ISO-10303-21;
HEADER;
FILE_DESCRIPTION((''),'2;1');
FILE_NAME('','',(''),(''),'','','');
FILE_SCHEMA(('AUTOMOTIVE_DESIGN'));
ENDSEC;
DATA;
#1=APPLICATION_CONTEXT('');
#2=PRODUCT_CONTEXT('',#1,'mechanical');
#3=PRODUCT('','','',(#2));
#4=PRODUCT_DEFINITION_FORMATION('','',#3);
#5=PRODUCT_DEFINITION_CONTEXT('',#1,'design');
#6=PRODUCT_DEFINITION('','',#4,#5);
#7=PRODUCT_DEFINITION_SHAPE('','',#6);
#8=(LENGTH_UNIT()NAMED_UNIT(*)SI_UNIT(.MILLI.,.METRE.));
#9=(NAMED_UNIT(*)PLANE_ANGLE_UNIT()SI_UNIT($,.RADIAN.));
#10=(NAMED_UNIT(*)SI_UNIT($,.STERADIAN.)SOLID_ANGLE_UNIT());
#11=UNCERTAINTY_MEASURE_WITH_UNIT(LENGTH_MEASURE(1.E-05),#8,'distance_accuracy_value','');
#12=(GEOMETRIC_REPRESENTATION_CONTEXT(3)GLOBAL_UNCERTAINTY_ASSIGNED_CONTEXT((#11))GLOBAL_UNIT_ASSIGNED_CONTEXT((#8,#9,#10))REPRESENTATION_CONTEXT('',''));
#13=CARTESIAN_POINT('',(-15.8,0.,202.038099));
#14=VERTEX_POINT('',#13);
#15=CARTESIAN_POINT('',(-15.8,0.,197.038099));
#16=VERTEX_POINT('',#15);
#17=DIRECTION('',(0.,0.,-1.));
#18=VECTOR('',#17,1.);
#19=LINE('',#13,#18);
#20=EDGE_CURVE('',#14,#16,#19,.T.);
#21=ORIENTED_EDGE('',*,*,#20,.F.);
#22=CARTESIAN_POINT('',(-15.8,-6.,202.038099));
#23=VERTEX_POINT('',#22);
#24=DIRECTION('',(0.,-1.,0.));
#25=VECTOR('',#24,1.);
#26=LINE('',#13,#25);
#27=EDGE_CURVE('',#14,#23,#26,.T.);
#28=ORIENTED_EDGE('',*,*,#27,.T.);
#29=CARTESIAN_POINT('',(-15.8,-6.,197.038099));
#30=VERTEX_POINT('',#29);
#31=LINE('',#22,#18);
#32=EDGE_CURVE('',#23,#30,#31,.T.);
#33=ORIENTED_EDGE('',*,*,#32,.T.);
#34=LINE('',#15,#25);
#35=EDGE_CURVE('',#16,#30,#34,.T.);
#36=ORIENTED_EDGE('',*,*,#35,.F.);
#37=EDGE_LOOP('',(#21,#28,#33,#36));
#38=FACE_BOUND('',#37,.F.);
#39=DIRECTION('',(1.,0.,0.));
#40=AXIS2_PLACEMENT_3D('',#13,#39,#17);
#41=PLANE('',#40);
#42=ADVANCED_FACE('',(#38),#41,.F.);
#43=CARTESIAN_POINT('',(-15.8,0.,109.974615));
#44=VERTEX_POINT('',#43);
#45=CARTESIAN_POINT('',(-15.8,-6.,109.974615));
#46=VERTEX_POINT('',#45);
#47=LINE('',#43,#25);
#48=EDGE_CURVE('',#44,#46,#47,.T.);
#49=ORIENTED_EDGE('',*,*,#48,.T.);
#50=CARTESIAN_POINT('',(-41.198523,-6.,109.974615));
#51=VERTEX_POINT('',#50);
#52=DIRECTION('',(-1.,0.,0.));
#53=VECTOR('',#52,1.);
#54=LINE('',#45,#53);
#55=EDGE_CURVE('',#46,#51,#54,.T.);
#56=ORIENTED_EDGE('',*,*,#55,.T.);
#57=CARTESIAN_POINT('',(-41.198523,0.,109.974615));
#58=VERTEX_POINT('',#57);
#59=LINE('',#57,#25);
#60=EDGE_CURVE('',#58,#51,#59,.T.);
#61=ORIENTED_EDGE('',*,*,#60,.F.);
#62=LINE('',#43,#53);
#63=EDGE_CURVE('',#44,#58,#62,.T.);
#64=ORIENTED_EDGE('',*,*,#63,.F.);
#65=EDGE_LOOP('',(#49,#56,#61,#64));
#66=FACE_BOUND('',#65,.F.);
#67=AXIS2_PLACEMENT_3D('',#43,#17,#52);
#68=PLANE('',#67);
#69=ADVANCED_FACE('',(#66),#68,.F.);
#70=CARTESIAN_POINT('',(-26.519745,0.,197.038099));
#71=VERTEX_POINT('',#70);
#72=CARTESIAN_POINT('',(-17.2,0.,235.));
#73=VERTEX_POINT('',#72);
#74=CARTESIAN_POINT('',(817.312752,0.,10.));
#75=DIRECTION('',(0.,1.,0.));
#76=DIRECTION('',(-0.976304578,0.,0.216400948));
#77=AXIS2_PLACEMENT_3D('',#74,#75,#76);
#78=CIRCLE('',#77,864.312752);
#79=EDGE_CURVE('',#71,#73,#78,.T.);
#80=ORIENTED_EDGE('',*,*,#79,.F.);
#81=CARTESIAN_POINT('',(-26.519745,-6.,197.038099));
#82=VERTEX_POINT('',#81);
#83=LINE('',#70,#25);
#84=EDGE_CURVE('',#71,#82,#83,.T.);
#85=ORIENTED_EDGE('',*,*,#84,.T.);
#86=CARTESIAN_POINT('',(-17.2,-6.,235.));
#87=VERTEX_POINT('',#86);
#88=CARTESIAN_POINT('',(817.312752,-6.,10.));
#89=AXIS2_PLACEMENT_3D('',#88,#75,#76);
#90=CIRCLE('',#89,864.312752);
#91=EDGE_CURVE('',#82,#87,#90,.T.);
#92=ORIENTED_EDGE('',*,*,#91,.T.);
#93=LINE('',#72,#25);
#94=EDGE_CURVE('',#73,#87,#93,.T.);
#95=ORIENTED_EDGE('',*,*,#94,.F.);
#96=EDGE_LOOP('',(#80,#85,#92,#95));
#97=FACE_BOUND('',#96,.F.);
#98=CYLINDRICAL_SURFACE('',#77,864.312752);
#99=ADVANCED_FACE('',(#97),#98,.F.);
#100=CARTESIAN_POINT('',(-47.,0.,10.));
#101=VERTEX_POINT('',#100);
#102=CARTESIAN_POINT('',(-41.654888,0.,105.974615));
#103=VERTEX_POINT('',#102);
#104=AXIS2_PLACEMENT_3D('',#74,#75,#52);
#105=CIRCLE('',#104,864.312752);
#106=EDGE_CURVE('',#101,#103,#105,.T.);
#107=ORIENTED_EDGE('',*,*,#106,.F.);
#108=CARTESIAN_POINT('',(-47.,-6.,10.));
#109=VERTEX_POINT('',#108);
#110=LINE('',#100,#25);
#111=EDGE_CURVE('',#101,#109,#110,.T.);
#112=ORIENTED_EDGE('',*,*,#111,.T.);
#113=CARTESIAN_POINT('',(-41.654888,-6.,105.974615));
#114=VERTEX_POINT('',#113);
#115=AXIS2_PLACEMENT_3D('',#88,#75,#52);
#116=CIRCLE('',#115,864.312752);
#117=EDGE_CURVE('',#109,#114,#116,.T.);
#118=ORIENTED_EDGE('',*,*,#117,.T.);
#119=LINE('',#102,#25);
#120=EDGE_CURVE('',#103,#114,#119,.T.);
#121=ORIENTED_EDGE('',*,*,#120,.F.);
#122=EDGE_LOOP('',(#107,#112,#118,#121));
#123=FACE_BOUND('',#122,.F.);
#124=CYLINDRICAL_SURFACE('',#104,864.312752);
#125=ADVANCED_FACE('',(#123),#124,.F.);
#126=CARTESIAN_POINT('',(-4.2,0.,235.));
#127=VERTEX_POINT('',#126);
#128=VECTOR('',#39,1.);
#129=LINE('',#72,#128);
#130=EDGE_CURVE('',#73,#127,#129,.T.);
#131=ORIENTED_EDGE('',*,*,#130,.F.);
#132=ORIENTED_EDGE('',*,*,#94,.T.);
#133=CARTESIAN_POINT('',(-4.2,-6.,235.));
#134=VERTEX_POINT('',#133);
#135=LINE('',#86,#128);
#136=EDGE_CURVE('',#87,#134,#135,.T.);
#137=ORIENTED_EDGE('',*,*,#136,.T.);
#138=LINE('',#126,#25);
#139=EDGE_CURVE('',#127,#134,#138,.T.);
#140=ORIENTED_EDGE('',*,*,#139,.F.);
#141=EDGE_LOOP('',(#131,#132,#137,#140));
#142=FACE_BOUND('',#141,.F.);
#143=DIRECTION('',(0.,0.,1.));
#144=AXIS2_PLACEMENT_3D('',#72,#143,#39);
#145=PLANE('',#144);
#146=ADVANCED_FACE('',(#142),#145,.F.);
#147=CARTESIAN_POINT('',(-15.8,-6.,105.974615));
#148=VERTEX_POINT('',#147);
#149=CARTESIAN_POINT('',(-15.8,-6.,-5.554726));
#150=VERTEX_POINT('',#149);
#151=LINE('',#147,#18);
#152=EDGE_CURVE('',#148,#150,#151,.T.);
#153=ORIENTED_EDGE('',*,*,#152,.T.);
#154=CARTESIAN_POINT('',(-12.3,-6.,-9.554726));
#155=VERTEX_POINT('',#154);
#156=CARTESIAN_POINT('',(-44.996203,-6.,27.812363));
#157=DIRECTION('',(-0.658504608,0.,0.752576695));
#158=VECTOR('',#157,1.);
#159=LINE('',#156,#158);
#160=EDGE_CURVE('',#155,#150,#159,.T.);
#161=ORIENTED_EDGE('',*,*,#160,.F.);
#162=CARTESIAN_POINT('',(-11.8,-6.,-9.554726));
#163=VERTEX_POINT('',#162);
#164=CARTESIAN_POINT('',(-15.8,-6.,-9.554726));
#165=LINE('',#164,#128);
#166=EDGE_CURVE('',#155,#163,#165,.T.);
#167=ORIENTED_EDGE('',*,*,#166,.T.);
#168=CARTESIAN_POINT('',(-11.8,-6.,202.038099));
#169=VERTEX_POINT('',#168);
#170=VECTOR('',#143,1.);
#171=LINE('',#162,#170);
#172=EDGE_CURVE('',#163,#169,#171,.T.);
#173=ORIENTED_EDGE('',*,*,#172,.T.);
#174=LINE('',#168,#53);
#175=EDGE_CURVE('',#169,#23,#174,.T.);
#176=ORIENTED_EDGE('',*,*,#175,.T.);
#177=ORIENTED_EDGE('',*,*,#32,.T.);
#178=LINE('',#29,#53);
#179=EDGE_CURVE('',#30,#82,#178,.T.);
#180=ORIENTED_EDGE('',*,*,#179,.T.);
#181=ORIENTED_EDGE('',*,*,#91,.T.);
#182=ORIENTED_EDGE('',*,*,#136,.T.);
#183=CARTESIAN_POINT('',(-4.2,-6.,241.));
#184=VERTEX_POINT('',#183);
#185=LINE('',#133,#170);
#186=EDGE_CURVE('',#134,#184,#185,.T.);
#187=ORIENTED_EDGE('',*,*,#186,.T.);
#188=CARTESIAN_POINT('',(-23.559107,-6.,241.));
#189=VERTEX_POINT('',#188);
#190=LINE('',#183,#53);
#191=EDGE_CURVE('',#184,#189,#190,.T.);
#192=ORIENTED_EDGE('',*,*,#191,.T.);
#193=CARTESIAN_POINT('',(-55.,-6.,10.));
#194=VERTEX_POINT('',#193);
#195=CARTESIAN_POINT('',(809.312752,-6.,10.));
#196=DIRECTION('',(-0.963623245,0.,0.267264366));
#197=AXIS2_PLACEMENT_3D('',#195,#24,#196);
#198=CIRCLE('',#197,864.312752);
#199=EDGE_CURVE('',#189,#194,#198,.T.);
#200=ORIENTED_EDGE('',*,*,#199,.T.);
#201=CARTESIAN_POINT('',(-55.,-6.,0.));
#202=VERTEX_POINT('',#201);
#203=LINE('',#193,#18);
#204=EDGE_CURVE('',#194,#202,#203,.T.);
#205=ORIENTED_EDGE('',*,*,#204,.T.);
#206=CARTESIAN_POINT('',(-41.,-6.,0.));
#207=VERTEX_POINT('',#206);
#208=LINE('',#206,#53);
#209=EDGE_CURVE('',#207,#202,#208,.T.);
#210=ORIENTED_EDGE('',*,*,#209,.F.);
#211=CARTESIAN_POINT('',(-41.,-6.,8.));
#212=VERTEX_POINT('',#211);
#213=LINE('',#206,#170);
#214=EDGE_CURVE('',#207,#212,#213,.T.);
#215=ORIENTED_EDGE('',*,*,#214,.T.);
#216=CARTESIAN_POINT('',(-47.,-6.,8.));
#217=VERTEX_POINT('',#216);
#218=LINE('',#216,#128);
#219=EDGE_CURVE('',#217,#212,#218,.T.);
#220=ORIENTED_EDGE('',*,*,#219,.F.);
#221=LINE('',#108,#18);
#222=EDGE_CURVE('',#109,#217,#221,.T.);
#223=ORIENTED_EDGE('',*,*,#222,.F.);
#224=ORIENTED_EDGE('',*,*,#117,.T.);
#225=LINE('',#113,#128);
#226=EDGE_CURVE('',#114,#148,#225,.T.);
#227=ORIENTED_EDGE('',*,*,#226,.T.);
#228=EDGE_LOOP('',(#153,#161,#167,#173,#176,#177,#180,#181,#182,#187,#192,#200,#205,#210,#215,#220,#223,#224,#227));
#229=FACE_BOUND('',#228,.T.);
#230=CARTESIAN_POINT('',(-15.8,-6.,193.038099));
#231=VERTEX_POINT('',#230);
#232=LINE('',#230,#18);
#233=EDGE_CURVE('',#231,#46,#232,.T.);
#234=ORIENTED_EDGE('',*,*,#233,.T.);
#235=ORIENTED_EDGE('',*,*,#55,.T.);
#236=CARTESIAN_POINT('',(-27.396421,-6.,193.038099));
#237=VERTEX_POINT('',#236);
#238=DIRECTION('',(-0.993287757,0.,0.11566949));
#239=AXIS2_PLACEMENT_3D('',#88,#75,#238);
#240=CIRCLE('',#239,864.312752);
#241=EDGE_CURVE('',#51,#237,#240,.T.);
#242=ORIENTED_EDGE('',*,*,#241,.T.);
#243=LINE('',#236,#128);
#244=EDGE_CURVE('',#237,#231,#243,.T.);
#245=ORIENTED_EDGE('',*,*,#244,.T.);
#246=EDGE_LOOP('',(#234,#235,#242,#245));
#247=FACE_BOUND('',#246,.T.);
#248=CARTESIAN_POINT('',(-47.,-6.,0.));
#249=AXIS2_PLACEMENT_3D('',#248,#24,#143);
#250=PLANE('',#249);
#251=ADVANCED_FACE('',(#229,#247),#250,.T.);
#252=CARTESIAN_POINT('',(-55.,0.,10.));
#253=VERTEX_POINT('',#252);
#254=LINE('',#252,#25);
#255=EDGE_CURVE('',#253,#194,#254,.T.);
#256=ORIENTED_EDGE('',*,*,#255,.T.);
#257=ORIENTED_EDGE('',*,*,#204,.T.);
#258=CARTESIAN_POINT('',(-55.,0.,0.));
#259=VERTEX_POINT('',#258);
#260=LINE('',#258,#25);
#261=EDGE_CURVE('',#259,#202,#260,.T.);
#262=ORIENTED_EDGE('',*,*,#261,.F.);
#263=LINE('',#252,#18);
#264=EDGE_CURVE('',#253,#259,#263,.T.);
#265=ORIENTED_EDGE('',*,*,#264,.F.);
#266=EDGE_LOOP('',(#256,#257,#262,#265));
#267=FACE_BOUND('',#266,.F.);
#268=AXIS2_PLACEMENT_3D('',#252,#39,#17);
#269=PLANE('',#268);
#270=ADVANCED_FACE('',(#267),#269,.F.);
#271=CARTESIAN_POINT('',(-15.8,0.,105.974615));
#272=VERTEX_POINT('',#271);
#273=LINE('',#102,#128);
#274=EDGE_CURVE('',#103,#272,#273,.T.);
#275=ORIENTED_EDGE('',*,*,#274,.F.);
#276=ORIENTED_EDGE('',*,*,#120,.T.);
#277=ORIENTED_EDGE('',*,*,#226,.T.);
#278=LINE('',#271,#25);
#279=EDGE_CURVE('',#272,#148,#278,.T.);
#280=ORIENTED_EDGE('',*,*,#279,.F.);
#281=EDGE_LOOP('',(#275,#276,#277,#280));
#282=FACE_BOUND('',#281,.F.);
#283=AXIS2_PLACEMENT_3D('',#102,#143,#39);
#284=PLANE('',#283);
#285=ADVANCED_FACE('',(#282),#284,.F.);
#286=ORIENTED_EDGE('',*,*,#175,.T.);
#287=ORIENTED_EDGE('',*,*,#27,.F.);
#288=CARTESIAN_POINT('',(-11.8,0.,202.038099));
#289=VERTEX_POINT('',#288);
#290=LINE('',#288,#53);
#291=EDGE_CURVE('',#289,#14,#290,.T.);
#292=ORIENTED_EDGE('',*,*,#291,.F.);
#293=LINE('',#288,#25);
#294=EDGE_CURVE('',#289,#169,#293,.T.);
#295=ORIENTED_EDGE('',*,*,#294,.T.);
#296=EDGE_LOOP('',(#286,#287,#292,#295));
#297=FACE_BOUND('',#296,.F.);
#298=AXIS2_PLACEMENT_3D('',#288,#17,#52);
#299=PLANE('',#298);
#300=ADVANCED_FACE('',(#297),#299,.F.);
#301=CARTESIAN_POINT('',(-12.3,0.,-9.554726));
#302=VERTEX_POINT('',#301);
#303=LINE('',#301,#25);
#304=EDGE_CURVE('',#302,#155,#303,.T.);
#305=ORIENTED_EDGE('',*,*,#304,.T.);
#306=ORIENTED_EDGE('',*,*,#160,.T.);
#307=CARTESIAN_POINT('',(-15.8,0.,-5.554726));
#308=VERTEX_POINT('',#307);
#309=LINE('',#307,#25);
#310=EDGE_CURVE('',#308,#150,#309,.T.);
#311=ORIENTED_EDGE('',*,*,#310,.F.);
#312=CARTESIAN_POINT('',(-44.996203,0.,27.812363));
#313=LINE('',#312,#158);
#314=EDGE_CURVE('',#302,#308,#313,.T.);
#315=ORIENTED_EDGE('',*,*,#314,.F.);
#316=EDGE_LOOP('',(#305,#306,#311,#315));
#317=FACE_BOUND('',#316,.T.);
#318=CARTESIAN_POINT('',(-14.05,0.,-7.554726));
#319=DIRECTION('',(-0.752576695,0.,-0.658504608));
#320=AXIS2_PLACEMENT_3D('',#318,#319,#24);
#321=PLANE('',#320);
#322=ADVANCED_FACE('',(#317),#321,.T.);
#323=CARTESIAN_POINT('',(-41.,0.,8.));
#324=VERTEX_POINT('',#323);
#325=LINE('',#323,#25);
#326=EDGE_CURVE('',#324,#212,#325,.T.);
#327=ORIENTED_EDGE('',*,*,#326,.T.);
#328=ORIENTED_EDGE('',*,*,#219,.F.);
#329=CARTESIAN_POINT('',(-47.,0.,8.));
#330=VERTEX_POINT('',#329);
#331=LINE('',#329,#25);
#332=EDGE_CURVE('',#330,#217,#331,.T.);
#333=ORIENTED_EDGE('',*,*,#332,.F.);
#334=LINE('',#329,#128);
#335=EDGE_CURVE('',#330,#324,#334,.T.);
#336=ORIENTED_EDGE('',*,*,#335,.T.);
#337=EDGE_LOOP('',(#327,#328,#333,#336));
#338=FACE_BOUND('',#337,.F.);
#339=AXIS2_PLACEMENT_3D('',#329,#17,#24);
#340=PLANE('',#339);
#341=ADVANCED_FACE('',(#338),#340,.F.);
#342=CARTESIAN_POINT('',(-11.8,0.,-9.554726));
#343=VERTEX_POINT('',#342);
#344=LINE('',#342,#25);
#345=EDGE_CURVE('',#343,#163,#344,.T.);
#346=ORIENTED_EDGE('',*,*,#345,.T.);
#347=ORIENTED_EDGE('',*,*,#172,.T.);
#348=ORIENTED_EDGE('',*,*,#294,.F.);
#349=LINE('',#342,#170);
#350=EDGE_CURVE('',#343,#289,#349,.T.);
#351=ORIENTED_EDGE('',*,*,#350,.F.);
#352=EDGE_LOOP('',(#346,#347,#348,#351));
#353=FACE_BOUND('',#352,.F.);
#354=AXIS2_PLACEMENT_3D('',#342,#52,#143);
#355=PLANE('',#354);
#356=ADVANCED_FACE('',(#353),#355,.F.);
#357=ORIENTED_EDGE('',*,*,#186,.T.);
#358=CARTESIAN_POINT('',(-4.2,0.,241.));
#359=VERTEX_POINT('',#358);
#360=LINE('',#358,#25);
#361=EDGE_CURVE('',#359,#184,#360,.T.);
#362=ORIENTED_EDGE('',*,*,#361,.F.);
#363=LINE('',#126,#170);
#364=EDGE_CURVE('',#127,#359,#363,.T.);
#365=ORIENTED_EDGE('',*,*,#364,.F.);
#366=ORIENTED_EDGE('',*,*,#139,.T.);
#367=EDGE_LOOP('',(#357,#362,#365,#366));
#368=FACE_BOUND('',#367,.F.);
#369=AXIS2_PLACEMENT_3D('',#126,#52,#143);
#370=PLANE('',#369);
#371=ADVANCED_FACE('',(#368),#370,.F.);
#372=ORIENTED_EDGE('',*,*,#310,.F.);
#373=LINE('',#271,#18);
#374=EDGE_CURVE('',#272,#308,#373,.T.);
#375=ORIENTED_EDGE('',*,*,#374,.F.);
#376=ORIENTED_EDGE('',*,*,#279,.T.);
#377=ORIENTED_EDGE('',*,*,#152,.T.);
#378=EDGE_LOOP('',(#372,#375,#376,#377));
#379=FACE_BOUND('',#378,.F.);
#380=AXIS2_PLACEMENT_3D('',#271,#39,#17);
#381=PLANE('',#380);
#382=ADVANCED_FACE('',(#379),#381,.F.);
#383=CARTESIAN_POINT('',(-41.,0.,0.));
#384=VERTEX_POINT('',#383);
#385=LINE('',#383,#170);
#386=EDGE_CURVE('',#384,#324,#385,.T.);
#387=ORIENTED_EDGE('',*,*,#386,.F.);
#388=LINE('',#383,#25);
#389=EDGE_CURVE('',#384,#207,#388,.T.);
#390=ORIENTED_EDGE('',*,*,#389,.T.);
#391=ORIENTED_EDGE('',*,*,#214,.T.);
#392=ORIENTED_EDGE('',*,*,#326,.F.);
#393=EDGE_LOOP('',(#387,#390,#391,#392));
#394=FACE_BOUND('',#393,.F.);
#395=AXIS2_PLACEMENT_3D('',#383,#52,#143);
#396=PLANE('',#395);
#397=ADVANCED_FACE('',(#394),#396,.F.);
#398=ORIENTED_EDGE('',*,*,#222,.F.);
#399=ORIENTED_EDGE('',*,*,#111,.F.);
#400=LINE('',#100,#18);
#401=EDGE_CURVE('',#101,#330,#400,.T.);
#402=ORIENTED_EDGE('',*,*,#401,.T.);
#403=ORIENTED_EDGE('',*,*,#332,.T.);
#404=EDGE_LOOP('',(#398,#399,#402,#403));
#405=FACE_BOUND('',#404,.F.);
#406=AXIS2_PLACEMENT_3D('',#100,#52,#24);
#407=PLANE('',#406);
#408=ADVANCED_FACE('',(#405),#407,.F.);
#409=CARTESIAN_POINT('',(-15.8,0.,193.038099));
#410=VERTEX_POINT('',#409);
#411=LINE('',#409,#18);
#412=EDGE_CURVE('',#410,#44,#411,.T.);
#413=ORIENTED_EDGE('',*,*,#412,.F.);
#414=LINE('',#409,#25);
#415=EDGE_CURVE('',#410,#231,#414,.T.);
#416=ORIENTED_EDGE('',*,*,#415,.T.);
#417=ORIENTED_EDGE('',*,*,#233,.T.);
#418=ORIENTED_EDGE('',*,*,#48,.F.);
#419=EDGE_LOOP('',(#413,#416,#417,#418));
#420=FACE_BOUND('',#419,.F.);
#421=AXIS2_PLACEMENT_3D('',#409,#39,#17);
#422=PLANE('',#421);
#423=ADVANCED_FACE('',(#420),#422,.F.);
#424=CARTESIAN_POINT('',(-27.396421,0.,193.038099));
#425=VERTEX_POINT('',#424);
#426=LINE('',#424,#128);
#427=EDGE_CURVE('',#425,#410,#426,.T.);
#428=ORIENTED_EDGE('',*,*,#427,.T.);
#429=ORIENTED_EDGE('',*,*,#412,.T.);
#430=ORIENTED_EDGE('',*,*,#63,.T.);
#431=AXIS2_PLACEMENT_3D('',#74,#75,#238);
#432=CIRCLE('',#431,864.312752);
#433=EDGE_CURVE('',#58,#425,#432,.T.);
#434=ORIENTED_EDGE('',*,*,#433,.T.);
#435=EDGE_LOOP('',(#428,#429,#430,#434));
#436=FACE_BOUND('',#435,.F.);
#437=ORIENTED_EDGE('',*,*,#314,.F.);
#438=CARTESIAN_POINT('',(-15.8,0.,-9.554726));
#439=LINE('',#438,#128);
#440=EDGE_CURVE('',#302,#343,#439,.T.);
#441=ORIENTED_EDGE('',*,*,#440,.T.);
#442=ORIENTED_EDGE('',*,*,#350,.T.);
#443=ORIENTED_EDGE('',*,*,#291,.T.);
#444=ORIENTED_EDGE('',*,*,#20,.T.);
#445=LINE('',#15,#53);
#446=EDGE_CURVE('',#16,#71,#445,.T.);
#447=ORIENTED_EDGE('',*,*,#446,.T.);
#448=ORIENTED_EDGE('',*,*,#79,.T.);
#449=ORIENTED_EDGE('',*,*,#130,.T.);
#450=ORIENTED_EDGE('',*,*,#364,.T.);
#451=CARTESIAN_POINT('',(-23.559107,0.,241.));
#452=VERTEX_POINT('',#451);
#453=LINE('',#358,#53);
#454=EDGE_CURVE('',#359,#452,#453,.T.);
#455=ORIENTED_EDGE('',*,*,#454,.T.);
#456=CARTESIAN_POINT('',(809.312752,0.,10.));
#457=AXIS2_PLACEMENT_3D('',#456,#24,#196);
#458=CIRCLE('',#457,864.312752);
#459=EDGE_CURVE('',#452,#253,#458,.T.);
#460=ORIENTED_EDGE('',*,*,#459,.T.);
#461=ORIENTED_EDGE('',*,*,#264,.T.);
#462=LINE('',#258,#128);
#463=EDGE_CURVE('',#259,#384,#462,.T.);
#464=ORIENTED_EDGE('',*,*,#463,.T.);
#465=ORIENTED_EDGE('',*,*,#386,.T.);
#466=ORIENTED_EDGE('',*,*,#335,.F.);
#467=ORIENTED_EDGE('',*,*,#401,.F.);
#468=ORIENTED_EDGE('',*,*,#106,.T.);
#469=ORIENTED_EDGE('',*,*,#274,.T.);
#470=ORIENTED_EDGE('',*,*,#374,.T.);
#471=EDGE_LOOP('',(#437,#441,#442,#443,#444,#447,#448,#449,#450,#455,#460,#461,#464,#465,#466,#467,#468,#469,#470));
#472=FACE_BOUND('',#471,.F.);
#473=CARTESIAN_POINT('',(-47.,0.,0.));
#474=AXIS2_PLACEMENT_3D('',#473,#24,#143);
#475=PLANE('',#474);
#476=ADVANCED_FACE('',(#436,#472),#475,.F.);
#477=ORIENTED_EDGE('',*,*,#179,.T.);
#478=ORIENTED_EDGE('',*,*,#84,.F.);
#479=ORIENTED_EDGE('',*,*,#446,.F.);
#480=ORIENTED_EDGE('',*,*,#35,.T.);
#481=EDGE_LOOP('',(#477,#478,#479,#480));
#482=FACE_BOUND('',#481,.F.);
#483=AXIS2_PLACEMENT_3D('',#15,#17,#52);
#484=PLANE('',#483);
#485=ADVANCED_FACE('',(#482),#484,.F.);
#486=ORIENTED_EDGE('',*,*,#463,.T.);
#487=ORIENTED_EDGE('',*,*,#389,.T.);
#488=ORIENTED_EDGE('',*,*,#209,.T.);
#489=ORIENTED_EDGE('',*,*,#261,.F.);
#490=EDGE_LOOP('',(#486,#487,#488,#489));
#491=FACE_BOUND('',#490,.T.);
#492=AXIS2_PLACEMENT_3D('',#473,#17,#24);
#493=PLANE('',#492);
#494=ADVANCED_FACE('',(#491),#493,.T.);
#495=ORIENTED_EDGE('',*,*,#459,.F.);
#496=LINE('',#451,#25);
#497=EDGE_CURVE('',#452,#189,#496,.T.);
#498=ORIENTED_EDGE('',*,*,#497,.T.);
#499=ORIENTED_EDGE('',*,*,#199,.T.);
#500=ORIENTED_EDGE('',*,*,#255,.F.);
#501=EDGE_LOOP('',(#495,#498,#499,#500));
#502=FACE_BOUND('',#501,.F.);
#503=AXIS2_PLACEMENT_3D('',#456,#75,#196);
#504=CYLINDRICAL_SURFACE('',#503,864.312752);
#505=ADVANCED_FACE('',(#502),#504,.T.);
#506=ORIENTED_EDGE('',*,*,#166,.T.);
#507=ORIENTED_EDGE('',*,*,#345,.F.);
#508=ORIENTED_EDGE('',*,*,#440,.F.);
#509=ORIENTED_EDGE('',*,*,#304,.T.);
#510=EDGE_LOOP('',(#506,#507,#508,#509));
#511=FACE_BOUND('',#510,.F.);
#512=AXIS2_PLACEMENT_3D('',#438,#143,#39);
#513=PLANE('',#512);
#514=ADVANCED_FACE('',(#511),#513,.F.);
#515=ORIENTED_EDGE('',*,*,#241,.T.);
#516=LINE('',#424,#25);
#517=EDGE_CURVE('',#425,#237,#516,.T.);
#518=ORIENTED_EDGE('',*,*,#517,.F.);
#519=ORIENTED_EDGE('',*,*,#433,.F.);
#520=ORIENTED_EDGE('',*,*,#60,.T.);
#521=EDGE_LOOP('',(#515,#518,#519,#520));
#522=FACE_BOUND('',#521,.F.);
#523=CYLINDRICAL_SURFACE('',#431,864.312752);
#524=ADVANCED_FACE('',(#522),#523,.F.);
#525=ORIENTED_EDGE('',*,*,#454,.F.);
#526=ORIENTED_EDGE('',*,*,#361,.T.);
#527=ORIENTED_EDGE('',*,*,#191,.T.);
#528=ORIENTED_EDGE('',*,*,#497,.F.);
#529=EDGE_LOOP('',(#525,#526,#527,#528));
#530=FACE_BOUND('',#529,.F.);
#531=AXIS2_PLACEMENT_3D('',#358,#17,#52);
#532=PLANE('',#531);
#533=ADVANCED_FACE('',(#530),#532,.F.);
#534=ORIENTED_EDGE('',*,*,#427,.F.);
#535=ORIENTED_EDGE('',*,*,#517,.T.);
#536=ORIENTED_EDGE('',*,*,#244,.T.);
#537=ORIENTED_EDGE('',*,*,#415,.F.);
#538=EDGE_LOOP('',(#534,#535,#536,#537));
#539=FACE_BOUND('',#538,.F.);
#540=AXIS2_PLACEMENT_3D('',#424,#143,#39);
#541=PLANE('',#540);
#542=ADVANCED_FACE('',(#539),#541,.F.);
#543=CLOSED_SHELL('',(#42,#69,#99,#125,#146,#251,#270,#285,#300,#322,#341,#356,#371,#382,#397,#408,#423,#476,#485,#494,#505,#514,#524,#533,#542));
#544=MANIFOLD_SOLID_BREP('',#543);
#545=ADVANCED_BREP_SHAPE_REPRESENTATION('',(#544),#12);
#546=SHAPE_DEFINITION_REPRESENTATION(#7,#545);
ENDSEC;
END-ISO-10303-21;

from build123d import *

# Parameters (mm, degrees)
F1_DEPTH = 6
F2_SIZE2 = 4
F2_SIZE  = 3.5
F3_DEPTH = 6
F4_DEPTH = 2


with BuildPart() as f1:
    # F0 (on Front) → F1 (new body)
    with BuildSketch(Plane.XZ):
        with BuildLine():
            Line((-17.2, 235), (-4.2, 235))
            Line((-4.2, 235), (-4.2, 241))
            Line((-4.2, 241), (-23.5591068412, 241))
            ThreePointArc((-23.5591068412, 241), (-47.1037067536, 126.5649280043), (-55, 10))
            Line((-55, 10), (-55, 0))
            Line((-55, 0), (-47, 0))
            Line((-47, 0), (-47, 10))
            ThreePointArc((-47, 10), (-45.6626874065, 58.0616713196), (-41.6548879545, 105.9746152759))
            Line((-41.6548879545, 105.9746152759), (-15.8, 105.9746152759))
            Line((-15.8, 105.9746152759), (-15.8, -9.5547260733))
            Line((-15.8, -9.5547260733), (-11.8, -9.5547260733))
            Line((-11.8, -9.5547260733), (-11.8, 197.0380991697))
            Line((-11.8, 197.0380991697), (-11.8, 202.0380991697))
            Line((-11.8, 202.0380991697), (-15.8, 202.0380991697))
            Line((-15.8, 202.0380991697), (-15.8, 197.0380991697))
            Line((-15.8, 197.0380991697), (-26.5197448355, 197.0380991697))
            ThreePointArc((-26.5197448355, 197.0380991697), (-22.0745066899, 216.0717428538), (-17.2, 235))
        make_face()
        with BuildLine():
            ThreePointArc((-41.198523154, 109.9746152759), (-35.3095909069, 151.6745341907), (-27.396421331, 193.0380991697))
            Line((-27.396421331, 193.0380991697), (-15.8, 193.0380991697))
            Line((-15.8, 193.0380991697), (-15.8, 109.9746152759))
            Line((-15.8, 109.9746152759), (-41.198523154, 109.9746152759))
        make_face(mode=Mode.SUBTRACT)
    extrude(amount=F1_DEPTH)

    # F2
    f2_edges = [f1.edges().sort_by_distance(p)[0] for p in [
        (-15.8, -3, -9.554726),
    ]]
    f2_side = f1.faces().sort_by_distance((-13.8, -3, -9.554726))[0]
    chamfer(f2_edges, length=F2_SIZE, length2=F2_SIZE2, reference=f2_side)

    # F3 (add): a face of the model
    f3_faces = [f1.faces().sort_by_distance(p)[0] for p in [
        (-47, -3, 5),
    ]]
    extrude(f3_faces, amount=F3_DEPTH)

    # F4 (cut): a face of the model
    f4_faces = [f1.faces().sort_by_distance(p)[0] for p in [
        (-44, -3, 10),
    ]]
    extrude(f4_faces, amount=-F4_DEPTH, mode=Mode.SUBTRACT)


solid = f1.part
